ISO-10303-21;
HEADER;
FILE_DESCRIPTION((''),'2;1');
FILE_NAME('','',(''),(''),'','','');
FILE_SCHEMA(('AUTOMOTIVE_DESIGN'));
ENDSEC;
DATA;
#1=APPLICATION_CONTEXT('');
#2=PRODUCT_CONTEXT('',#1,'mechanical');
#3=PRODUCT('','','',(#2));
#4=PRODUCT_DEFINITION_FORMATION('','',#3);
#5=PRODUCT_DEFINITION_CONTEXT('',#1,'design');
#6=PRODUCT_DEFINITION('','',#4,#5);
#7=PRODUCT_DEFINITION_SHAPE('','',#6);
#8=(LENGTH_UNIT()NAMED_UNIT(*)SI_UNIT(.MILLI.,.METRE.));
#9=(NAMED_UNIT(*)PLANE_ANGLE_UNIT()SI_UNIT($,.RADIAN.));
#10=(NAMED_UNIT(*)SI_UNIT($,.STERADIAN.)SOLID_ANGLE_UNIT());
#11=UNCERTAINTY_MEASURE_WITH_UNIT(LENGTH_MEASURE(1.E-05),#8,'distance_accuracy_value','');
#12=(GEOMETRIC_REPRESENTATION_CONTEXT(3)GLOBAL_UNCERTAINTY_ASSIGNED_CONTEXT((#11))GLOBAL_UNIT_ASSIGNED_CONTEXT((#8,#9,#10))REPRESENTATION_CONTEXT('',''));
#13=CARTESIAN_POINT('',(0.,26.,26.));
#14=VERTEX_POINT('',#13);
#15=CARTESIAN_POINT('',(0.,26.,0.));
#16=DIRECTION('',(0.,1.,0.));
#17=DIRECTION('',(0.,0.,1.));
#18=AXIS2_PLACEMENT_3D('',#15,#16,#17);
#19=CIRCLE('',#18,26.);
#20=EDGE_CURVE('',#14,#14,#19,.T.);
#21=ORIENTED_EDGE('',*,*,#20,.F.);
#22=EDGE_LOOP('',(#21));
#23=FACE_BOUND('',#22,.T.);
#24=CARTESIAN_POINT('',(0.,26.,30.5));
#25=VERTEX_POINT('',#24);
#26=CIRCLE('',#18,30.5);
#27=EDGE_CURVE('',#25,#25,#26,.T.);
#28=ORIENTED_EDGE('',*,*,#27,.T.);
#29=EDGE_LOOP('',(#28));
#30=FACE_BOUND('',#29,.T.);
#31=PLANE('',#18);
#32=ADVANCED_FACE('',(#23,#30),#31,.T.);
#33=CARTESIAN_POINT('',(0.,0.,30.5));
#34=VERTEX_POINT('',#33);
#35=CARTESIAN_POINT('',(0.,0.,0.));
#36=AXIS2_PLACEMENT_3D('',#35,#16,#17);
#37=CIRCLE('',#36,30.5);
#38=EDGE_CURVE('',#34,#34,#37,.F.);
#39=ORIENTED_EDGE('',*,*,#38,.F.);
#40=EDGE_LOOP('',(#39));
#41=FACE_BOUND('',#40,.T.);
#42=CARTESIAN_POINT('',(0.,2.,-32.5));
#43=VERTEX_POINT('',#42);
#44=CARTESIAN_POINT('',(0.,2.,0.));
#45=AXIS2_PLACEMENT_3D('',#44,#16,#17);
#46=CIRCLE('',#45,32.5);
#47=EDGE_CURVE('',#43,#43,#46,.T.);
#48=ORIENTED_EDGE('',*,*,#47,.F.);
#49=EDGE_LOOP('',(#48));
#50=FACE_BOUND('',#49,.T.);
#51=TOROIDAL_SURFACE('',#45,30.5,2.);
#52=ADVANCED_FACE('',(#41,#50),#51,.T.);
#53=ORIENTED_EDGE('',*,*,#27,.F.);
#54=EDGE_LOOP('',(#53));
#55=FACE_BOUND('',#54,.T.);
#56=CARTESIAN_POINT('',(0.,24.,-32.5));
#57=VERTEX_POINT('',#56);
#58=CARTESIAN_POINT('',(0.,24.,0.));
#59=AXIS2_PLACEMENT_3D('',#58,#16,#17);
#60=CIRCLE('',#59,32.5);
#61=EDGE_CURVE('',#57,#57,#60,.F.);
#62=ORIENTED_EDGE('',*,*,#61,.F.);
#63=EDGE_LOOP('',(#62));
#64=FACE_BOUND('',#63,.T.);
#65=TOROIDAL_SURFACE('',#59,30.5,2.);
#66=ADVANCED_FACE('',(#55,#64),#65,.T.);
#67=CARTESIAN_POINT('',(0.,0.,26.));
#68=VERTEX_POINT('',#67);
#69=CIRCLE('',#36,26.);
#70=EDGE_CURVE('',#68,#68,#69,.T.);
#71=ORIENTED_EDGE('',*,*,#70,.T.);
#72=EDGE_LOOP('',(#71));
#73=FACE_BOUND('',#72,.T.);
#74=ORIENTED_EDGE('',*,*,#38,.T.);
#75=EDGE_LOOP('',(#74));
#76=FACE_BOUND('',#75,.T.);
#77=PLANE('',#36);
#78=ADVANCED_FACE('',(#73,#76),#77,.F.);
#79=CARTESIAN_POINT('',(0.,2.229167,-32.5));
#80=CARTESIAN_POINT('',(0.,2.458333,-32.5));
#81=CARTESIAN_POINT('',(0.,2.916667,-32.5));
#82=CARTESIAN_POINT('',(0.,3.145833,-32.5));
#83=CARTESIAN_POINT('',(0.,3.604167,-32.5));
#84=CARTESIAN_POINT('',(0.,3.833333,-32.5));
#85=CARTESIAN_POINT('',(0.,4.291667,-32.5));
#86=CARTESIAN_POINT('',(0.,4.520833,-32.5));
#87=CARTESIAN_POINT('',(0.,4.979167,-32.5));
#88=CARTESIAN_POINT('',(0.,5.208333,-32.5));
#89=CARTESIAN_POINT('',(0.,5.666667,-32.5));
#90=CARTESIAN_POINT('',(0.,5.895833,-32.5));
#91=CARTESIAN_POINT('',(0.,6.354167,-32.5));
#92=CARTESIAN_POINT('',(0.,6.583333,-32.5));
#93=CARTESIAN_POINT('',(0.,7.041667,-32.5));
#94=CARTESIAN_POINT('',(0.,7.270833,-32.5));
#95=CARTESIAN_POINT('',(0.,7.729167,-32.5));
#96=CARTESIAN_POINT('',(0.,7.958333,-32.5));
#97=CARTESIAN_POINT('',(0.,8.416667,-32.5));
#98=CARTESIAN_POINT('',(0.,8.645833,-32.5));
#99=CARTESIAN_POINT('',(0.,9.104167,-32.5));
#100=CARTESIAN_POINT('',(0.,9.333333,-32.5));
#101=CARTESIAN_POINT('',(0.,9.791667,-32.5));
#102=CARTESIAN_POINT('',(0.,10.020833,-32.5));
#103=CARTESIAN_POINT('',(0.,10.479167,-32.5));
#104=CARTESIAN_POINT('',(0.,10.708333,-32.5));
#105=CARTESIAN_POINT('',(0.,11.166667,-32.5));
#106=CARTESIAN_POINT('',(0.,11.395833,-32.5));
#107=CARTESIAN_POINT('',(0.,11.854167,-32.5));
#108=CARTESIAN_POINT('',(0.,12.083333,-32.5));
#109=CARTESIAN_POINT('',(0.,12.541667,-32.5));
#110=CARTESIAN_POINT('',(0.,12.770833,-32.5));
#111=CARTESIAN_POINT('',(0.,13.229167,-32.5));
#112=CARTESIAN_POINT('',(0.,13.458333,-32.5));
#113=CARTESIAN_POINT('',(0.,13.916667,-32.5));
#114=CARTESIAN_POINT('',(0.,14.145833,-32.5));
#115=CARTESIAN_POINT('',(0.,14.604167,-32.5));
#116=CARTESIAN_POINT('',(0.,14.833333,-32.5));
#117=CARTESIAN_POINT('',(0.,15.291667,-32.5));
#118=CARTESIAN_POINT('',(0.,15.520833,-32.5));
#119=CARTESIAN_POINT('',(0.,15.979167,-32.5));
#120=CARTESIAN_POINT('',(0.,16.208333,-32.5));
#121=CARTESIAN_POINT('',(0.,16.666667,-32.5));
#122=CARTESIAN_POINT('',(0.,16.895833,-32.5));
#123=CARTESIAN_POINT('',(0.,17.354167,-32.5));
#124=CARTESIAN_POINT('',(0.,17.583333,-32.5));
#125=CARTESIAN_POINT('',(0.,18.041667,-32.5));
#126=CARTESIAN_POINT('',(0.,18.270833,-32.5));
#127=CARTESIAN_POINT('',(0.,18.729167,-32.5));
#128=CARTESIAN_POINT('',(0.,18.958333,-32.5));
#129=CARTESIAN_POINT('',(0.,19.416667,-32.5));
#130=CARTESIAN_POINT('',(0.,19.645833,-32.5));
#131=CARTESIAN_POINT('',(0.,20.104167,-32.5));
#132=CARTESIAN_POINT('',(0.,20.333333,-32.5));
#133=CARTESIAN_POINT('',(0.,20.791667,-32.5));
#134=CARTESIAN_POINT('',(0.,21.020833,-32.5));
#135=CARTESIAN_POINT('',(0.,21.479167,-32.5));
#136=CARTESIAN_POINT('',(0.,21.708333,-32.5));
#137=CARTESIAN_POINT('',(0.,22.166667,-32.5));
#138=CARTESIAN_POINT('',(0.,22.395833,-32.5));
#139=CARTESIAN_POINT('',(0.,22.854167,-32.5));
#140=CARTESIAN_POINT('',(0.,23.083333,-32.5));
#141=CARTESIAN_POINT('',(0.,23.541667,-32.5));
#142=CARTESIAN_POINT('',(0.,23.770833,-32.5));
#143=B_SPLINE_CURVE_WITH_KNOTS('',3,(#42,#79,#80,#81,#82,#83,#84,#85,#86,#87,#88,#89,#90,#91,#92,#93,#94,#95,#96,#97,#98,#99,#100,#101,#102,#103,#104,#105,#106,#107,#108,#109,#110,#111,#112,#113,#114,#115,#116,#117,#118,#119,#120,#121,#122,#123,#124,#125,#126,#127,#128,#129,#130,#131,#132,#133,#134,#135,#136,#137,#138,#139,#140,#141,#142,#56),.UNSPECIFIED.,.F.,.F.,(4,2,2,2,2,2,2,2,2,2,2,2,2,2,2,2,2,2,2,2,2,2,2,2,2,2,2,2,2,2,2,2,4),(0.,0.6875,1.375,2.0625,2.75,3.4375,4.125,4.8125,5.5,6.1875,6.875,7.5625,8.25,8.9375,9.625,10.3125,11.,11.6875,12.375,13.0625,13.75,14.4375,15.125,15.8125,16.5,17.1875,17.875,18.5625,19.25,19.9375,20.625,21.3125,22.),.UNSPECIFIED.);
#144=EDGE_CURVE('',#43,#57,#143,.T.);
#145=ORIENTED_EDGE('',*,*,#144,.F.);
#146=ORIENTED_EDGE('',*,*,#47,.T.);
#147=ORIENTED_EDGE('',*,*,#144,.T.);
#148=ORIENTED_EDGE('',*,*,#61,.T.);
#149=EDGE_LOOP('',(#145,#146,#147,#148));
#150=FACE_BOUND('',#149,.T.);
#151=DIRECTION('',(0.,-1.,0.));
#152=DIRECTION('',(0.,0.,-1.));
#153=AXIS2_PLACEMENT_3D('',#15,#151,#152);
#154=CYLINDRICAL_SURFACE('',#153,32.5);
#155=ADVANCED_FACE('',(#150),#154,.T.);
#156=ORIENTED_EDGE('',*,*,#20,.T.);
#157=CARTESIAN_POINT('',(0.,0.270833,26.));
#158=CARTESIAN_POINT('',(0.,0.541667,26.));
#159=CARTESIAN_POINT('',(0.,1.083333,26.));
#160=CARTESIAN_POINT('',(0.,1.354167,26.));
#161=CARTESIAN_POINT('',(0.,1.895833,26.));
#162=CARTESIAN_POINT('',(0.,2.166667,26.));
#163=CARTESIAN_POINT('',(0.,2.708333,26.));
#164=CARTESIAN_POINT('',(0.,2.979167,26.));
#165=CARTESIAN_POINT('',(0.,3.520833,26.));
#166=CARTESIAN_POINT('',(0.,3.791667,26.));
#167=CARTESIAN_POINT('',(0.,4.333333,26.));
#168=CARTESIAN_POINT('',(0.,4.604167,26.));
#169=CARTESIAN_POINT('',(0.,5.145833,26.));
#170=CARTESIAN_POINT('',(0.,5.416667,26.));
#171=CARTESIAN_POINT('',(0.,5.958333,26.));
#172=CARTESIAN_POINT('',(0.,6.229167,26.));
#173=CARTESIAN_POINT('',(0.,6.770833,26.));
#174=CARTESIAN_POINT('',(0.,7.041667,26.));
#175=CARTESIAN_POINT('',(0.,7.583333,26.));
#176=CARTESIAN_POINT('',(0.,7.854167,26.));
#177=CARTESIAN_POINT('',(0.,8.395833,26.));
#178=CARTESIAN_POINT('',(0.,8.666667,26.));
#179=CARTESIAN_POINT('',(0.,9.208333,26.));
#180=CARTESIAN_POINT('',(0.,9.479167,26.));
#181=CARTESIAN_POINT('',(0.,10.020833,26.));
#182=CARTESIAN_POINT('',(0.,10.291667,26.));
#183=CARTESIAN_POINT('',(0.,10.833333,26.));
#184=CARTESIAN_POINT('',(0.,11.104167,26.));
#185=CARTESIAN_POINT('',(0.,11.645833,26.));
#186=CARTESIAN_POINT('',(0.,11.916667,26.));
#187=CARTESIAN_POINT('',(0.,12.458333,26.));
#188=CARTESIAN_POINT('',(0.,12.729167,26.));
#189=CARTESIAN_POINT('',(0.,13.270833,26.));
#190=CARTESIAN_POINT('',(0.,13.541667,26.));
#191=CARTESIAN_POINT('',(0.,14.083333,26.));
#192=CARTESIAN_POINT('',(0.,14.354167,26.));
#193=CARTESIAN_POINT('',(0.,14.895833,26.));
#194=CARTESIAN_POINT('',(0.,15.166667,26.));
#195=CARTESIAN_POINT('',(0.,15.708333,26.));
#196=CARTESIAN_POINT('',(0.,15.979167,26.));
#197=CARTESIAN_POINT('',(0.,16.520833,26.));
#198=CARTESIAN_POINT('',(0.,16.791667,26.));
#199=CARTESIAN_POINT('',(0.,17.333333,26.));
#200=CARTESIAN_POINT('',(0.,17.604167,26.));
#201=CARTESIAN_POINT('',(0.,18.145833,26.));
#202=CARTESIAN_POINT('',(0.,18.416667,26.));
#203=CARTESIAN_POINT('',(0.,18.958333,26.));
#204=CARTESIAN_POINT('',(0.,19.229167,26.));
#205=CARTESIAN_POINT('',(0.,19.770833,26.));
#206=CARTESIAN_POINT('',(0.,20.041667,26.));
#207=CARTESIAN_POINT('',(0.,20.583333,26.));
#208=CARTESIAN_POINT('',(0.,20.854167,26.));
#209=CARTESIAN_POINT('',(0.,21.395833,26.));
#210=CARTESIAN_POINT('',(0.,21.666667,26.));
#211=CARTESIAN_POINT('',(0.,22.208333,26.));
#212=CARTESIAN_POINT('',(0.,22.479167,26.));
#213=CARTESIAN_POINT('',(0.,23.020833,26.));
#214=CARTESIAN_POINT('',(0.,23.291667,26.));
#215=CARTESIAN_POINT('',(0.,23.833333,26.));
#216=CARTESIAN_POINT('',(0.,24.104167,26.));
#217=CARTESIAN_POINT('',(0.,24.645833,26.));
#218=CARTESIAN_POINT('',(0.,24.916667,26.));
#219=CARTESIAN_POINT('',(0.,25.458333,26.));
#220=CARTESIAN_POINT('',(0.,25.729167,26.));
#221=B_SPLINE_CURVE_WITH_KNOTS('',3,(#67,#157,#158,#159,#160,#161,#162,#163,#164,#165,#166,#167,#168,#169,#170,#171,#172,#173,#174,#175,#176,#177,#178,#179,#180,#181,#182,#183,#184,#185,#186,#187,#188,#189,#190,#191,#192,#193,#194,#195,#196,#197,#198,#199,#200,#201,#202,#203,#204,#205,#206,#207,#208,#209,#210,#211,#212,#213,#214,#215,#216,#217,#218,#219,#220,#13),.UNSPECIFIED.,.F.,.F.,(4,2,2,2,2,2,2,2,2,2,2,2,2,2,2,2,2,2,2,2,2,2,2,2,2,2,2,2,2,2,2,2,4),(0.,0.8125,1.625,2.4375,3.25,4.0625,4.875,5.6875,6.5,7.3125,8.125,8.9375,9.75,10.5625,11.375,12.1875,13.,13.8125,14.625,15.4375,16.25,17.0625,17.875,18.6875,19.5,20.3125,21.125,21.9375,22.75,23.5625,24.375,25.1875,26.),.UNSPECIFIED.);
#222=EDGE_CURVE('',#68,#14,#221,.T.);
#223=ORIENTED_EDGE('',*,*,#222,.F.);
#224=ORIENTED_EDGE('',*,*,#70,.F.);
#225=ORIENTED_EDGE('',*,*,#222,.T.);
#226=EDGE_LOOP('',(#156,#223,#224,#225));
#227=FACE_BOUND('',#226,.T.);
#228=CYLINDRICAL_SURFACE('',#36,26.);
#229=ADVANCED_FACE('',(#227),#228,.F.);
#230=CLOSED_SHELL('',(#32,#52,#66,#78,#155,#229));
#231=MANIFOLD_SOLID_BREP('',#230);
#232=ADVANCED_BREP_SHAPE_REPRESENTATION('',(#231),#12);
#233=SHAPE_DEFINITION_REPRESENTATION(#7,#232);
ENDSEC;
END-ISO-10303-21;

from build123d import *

# Parameters (mm, degrees)
SKETCH_1_R          = 32.5
EXTRUDE_1_DEPTH     = 26
SKETCH_3_R          = 26
CUT_EXTRUDE_1_DEPTH = 53.80624963
FILLET_1_R          = 2


with BuildPart() as part:
    # 草图1 → 凸台-拉伸1 (new body)
    with BuildSketch(Plane(origin=(0, 0, 0), x_dir=(1, 0, 0), z_dir=(0, 1, 0))):
        with Locations(Location((0, 0, 0), (0, 0, 90))):
            Circle(SKETCH_1_R)
    extrude(amount=EXTRUDE_1_DEPTH)

    # 草图3 → 切除-拉伸1 (cut, through all)
    with BuildSketch(Plane(origin=(0, 26, 0), x_dir=(1, 0, 0), z_dir=(0, 1, 0))):
        with Locations(Location((0, 0, 0), (0, 0, 270))):
            Circle(SKETCH_3_R)
    extrude(amount=-CUT_EXTRUDE_1_DEPTH, mode=Mode.SUBTRACT)

    # 圆角1
    fillet_1_edges = [part.edges().sort_by_distance(p)[0] for p in [
        (0, 0, 32.5),
        (0, 26, 32.5),
    ]]
    fillet(fillet_1_edges, radius=FILLET_1_R)


solid = part.part
